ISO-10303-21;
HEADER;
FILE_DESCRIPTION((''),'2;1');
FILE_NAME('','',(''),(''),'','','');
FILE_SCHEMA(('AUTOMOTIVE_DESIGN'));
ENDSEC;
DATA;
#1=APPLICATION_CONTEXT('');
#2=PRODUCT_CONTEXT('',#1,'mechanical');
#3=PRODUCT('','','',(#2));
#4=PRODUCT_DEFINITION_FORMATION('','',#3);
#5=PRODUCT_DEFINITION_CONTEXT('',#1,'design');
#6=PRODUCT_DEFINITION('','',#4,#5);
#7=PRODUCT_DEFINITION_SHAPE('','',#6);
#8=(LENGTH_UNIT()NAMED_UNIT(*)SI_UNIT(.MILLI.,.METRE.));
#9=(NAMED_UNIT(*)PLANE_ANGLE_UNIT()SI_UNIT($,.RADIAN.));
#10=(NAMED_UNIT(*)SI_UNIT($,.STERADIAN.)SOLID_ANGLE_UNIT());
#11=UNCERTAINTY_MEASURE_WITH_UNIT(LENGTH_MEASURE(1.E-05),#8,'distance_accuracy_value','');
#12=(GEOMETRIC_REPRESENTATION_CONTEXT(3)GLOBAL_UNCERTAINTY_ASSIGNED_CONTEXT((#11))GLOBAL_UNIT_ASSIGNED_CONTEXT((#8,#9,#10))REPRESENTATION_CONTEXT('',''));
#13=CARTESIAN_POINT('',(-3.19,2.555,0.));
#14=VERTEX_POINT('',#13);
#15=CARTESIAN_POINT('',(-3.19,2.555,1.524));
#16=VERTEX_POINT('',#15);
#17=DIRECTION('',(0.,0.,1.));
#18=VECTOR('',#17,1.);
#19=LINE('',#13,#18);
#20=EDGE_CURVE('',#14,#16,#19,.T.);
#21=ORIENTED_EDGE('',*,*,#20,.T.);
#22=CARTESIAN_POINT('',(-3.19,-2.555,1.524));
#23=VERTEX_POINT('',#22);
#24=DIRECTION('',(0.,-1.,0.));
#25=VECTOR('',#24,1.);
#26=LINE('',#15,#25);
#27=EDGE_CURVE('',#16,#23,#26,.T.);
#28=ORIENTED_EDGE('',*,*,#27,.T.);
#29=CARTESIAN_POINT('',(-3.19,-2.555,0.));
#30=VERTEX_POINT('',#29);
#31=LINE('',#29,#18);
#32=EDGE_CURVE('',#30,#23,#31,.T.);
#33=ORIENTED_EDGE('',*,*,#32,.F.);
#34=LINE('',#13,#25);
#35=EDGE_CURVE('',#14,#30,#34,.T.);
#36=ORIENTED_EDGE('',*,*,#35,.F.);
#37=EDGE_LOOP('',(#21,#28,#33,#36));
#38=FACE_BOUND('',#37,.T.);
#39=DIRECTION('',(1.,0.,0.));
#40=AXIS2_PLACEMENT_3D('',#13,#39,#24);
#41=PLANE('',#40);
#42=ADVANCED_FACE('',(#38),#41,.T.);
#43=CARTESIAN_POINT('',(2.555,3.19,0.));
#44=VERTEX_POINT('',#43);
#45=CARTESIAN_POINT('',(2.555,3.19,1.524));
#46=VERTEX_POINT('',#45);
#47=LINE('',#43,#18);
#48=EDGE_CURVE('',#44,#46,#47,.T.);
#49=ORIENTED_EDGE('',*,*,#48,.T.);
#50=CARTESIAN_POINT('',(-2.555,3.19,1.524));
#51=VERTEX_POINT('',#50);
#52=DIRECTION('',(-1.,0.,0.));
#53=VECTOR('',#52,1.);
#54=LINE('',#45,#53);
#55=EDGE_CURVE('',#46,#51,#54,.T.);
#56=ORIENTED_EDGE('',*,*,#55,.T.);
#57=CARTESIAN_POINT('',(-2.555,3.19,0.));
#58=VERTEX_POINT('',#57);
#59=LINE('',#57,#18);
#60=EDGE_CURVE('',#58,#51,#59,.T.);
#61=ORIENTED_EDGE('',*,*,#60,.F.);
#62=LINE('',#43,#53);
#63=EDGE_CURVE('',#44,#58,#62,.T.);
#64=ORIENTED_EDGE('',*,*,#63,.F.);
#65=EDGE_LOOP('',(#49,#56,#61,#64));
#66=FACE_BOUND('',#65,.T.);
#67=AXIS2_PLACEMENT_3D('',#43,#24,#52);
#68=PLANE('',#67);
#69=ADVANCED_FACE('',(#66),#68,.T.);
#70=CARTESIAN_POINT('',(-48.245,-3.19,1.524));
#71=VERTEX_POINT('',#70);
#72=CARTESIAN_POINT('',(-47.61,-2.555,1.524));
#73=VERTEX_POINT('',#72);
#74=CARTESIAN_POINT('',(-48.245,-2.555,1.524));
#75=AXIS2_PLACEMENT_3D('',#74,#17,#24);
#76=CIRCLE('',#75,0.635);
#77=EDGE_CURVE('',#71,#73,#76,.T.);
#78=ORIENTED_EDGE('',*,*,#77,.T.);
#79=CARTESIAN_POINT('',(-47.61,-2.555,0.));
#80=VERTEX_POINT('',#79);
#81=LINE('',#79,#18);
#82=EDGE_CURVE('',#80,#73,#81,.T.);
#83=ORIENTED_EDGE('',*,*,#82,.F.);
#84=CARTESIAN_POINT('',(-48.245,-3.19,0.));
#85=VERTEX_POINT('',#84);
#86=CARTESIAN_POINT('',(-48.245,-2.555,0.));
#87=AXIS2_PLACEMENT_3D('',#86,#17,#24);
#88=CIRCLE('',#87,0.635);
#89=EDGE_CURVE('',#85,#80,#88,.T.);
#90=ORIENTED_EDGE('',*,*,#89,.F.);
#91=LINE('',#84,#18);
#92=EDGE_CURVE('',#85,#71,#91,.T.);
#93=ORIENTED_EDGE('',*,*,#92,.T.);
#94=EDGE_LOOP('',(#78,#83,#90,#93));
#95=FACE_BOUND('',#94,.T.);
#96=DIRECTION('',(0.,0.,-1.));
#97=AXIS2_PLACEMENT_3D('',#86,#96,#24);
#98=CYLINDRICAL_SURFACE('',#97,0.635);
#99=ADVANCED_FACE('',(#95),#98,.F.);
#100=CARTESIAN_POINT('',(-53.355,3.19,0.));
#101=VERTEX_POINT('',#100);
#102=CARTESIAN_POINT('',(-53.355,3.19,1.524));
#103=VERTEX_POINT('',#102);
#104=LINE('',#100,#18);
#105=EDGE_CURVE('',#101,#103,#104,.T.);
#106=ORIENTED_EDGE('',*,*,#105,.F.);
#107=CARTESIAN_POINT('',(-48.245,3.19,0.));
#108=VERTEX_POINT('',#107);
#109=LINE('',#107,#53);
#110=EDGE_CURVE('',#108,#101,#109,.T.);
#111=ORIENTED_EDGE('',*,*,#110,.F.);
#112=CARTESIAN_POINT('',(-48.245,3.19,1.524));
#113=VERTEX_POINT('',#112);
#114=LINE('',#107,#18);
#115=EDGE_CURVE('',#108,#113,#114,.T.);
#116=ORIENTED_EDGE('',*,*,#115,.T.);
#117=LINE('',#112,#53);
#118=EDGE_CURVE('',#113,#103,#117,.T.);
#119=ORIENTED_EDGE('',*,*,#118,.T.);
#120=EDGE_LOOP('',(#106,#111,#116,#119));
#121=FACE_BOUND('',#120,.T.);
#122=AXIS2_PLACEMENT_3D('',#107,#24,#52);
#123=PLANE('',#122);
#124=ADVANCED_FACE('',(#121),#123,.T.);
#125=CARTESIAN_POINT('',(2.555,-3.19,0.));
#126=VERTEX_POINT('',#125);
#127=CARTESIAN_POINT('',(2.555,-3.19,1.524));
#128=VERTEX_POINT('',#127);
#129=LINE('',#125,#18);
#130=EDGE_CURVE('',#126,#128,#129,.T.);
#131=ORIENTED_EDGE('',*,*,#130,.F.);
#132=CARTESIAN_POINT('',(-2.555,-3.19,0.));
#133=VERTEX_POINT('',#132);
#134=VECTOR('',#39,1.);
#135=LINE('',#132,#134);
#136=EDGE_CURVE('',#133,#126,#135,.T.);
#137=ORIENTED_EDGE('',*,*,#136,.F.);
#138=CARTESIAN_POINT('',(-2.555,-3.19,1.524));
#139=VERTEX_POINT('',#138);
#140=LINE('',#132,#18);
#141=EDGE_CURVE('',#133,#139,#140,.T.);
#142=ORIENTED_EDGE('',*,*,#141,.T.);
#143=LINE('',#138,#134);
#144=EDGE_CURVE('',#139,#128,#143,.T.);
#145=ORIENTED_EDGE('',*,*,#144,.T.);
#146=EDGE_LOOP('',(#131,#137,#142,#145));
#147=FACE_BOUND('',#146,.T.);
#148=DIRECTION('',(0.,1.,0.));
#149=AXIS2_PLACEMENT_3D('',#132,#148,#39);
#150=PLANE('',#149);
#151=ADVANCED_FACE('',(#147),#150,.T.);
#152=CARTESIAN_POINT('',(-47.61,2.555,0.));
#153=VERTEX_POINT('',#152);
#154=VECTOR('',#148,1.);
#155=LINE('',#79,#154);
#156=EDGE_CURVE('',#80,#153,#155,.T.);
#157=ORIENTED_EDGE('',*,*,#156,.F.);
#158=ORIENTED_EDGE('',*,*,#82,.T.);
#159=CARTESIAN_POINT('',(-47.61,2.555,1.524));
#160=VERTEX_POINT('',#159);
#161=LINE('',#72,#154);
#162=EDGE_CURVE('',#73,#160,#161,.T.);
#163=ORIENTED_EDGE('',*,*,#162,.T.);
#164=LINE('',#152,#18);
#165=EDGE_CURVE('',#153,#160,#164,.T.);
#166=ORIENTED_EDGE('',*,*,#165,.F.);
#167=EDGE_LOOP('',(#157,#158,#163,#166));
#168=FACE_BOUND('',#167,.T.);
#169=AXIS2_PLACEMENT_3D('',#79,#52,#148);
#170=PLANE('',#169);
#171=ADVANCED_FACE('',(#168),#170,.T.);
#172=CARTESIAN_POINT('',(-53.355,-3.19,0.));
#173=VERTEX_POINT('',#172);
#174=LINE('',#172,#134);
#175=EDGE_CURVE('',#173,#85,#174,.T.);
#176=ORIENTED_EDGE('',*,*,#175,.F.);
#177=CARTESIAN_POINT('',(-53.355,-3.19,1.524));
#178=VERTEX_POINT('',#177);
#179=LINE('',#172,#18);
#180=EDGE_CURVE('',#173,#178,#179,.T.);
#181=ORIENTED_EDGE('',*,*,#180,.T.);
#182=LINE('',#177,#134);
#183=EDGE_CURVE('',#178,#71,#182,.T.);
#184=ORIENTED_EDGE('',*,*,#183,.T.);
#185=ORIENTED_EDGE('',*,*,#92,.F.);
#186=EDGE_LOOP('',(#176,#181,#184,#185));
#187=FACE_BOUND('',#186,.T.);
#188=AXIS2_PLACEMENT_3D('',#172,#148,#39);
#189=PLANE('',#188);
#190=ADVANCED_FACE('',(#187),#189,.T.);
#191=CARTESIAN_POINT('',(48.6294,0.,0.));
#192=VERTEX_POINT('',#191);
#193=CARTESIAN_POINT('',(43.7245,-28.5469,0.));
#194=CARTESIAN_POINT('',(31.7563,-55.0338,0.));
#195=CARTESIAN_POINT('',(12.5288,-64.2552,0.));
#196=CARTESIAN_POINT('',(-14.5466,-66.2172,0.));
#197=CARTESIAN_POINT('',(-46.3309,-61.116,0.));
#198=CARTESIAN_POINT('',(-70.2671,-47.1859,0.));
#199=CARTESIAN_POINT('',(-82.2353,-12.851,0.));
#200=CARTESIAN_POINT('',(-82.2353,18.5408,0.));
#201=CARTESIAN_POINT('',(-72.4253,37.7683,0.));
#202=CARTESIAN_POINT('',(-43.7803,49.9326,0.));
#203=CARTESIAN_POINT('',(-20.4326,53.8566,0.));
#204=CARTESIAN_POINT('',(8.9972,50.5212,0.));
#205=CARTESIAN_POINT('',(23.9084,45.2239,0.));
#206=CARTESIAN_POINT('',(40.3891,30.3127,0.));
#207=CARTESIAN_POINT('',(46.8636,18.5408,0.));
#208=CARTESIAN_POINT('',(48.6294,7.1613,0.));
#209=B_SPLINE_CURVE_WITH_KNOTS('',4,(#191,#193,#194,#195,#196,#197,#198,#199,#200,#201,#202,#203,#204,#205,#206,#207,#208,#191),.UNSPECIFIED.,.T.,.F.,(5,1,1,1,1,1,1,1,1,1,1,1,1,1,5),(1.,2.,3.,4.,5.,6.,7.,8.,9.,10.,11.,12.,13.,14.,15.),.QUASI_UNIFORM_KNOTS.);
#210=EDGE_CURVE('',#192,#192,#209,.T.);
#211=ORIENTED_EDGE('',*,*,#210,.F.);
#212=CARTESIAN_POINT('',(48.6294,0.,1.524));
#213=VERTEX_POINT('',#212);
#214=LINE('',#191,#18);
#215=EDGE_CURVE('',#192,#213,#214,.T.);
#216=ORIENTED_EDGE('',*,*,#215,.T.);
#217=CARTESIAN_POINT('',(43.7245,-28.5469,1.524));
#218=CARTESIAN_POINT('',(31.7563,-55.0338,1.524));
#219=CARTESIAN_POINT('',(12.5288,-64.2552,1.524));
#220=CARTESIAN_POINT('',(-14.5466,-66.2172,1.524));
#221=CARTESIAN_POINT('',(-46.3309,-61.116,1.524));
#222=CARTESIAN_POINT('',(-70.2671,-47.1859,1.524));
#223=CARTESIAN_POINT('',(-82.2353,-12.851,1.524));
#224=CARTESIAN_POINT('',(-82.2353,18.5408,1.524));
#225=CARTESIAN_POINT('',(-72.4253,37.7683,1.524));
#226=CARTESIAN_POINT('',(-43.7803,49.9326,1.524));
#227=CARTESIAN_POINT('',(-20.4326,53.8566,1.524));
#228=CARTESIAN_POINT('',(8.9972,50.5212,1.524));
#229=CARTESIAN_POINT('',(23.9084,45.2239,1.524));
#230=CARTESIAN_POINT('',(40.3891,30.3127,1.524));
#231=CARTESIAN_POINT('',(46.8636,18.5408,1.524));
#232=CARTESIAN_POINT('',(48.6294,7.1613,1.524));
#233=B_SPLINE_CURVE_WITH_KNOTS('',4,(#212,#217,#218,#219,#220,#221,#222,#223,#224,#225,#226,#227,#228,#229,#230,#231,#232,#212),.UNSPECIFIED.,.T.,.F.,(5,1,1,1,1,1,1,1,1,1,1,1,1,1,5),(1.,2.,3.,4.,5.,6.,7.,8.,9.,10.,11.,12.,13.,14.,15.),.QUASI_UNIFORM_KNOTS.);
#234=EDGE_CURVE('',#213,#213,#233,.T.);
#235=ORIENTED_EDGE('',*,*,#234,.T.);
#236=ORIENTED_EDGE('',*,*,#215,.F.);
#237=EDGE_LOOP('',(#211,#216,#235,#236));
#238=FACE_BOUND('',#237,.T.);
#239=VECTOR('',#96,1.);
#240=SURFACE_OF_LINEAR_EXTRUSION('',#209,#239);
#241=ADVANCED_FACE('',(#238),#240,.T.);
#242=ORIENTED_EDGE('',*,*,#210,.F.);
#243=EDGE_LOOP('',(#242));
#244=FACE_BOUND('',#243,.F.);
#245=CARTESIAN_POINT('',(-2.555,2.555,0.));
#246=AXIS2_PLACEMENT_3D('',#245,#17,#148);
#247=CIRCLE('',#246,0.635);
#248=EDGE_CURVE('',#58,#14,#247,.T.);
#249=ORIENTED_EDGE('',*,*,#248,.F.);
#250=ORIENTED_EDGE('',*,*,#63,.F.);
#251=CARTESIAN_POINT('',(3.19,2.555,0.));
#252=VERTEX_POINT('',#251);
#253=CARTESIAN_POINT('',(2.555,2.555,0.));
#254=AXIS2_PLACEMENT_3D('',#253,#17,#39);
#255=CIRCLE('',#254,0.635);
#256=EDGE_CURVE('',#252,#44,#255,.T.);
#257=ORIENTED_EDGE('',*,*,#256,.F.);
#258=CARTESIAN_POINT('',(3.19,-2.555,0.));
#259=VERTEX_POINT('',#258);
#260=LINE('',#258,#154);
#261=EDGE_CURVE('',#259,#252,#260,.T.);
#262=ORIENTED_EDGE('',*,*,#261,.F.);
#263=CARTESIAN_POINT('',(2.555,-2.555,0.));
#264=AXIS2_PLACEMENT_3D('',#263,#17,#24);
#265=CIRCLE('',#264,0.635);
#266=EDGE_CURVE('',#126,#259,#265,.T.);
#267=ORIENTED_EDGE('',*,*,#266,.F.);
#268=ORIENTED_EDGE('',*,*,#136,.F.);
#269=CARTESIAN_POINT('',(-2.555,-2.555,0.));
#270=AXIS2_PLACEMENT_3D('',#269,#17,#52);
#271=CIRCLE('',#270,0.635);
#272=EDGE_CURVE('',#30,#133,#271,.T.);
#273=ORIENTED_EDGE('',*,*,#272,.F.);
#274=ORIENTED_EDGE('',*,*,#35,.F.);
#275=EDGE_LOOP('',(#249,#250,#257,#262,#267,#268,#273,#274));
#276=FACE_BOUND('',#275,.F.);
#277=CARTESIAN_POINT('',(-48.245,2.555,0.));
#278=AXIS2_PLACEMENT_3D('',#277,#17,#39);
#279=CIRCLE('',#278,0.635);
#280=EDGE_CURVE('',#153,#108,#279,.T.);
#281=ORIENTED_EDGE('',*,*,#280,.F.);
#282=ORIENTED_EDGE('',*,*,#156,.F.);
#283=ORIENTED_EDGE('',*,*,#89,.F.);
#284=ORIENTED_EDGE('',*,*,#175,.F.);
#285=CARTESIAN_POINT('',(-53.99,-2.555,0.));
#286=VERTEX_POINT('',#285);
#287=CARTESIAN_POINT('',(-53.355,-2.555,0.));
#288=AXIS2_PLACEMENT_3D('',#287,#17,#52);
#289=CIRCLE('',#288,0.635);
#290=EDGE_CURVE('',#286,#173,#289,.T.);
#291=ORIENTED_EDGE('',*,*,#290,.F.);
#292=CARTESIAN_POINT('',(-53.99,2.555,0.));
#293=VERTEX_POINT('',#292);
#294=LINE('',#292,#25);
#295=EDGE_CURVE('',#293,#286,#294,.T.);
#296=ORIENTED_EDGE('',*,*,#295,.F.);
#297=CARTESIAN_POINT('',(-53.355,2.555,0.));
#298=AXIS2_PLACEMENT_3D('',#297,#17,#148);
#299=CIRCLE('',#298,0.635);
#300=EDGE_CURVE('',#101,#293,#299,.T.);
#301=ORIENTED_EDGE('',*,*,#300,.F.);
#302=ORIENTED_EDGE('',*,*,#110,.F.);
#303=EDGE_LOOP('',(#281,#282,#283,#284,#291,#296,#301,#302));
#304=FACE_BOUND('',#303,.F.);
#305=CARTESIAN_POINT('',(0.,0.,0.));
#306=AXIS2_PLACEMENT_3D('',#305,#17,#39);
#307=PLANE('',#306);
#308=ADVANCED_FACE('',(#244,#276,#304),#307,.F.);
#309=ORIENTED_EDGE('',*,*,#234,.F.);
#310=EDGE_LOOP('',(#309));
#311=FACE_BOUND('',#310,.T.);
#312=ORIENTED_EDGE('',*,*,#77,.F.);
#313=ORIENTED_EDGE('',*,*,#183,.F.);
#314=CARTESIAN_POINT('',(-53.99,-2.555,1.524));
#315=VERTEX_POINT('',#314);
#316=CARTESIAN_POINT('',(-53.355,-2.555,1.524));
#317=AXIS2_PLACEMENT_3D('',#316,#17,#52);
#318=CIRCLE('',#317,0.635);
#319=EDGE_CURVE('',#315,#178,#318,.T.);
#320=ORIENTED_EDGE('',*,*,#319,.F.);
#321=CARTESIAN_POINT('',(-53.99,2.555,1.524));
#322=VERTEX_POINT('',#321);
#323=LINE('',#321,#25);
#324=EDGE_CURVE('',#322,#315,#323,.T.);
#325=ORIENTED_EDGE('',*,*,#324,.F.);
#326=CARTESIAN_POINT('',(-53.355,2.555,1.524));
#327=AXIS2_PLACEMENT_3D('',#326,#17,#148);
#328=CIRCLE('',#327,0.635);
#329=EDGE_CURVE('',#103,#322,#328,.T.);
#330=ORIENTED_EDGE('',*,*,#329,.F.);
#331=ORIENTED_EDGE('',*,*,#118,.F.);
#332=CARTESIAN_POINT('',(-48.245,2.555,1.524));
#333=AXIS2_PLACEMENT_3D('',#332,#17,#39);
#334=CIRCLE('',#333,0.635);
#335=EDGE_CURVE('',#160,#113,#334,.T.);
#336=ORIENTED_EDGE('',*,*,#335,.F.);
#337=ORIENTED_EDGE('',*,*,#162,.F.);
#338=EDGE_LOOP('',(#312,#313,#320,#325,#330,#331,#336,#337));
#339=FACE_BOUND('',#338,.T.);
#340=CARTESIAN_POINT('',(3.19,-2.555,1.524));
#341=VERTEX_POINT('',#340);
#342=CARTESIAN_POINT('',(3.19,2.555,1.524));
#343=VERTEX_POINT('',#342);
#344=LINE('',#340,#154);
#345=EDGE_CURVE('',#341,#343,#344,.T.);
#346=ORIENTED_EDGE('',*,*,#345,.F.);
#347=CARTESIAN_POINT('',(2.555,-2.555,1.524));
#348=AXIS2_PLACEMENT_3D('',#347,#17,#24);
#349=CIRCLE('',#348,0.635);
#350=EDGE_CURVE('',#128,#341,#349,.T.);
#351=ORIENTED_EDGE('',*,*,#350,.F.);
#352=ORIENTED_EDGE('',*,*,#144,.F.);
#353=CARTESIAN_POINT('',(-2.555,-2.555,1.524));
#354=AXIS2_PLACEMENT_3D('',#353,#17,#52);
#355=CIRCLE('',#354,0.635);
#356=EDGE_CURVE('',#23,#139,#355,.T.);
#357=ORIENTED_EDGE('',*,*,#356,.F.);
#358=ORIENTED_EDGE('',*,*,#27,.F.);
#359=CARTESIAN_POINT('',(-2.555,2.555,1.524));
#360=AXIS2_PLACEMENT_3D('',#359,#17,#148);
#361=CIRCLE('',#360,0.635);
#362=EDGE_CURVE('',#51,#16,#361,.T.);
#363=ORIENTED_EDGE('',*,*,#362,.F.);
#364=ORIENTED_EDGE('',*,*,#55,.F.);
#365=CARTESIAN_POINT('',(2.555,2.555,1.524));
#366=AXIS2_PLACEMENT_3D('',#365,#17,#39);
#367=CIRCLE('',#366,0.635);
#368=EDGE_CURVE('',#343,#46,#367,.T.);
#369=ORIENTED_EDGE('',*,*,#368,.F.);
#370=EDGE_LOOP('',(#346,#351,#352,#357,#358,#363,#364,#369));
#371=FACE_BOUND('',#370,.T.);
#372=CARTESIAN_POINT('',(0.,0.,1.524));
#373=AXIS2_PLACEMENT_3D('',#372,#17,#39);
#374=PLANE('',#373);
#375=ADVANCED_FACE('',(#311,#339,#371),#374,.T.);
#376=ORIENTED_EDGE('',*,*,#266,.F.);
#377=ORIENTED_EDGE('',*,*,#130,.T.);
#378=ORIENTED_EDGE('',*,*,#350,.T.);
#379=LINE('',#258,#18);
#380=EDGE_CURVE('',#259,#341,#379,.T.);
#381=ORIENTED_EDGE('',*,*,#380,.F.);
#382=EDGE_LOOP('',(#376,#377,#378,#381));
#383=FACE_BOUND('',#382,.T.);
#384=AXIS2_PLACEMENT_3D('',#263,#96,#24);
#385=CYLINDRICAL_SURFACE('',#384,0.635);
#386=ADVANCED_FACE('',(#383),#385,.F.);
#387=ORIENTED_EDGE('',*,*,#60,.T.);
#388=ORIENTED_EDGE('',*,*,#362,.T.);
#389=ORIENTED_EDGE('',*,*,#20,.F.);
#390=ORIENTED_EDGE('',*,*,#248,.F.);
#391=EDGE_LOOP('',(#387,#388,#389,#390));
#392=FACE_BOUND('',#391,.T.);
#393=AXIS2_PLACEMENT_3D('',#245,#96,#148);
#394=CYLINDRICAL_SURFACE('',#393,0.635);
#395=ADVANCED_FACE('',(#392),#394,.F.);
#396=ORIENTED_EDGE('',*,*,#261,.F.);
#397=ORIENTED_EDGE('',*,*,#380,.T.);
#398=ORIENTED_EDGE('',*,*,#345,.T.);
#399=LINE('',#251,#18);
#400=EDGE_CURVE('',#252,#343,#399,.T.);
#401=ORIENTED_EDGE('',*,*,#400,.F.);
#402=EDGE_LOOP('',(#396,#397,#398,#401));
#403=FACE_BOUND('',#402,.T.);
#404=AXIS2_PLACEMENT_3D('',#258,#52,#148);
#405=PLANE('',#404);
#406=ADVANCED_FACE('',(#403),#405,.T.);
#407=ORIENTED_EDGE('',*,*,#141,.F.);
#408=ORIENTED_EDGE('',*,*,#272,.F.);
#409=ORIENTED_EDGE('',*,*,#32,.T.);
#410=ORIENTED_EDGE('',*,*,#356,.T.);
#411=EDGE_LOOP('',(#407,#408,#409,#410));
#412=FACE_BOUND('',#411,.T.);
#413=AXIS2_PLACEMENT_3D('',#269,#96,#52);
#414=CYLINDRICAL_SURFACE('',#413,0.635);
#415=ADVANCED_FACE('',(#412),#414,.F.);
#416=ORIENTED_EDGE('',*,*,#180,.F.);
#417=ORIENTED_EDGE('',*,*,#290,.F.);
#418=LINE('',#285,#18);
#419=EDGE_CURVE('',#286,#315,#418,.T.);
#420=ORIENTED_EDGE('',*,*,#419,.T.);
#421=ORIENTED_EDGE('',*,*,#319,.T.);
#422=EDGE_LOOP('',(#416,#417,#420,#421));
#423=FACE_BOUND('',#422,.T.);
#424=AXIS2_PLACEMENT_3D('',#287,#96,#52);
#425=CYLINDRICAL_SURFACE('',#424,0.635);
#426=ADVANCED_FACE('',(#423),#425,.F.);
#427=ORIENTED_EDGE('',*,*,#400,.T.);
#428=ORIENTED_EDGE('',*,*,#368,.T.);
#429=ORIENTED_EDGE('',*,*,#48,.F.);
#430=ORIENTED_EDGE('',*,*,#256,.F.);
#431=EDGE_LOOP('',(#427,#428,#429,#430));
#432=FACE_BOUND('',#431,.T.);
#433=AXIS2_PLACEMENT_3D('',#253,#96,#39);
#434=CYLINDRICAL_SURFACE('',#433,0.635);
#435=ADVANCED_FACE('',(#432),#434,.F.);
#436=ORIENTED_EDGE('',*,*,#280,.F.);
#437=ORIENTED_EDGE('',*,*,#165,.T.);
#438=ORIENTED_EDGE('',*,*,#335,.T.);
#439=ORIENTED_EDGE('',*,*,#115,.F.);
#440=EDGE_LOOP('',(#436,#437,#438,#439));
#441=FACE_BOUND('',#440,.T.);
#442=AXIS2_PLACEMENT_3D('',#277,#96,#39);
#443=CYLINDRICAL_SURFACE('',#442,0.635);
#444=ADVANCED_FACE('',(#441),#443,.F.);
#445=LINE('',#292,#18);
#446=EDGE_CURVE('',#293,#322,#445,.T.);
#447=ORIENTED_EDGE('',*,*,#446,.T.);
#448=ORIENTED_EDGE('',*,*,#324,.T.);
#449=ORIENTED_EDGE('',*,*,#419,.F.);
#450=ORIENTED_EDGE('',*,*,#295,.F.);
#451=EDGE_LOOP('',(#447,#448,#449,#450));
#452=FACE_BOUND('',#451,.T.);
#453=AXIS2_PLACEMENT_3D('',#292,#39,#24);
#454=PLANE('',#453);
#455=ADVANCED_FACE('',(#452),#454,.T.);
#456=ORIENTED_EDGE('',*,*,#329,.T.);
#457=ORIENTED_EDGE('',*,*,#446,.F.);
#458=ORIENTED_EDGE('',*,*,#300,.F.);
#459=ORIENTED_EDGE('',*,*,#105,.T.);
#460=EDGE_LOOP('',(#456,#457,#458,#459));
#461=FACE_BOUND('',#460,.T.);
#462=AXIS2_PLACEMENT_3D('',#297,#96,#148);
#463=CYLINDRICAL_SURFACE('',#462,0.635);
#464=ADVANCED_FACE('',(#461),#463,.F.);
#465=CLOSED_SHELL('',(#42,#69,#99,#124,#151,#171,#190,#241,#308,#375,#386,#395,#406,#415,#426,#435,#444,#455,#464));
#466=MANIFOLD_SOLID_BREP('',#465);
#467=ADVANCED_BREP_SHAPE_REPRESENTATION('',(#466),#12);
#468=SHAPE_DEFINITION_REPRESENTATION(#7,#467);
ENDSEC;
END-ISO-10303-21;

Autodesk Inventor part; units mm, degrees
ref_plane "YZ Plane" through (0, 0, 0) normal (1, 0, 0) x (0, 1, 0)
ref_plane "XZ Plane" through (0, 0, 0) normal (0, 1, 0) x (-1, 0, 0)
ref_plane "XY Plane" through (0, 0, 0) normal (0, 0, 1) x (1, 0, 0)
sketch "Sketch1" plane through (0, 0, 0) normal (0, 0, 1) x (1, 0, 0)
  arc A0 (2.555, -3.19) -> (3.19, -2.555) centre (2.555, -2.555) ccw projected
  line L0 (3.19, -2.555) -> (3.19, 2.555) projected
  arc A1 (3.19, 2.555) -> (2.555, 3.19) centre (2.555, 2.555) ccw projected
  line L1 (2.555, 3.19) -> (-2.555, 3.19) projected
  arc A2 (-2.555, 3.19) -> (-3.19, 2.555) centre (-2.555, 2.555) ccw projected
  line L2 (-3.19, 2.555) -> (-3.19, -2.555) projected
  arc A3 (-3.19, -2.555) -> (-2.555, -3.19) centre (-2.555, -2.555) ccw projected
  line L3 (-2.555, -3.19) -> (2.555, -3.19) projected
  arc A4 (-53.99, -2.555) -> (-53.355, -3.19) centre (-53.355, -2.555) ccw
  line L4 (-53.355, -3.19) -> (-48.245, -3.19)
  arc A5 (-48.245, -3.19) -> (-47.61, -2.555) centre (-48.245, -2.555) ccw
  line L5 (-47.61, -2.555) -> (-47.61, 2.555)
  arc A6 (-47.61, 2.555) -> (-48.245, 3.19) centre (-48.245, 2.555) ccw
  line L6 (-48.245, 3.19) -> (-53.355, 3.19)
  arc A7 (-53.355, 3.19) -> (-53.99, 2.555) centre (-53.355, 2.555) ccw
  line L7 (-53.99, 2.555) -> (-53.99, -2.555)
  line L8 (-50.8, 0) -> (-53.99, 0) construction
  line L9 (-50.8, 0) -> (-50.8, -3.19) construction
  line L10 (-50.8, 0) -> (-47.61, 0) construction
  line L11 (-50.8, 0) -> (-50.8, 3.19) construction
  line L12 (48.6294, 0) -> (43.7245, -28.5469) construction
  line L13 (43.7245, -28.5469) -> (31.7563, -55.0338) construction
  line L14 (31.7563, -55.0338) -> (12.5288, -64.2552) construction
  line L15 (12.5288, -64.2552) -> (-14.5466, -66.2172) construction
  line L16 (-14.5466, -66.2172) -> (-46.3309, -61.116) construction
  line L17 (-46.3309, -61.116) -> (-70.2671, -47.1859) construction
  line L18 (-70.2671, -47.1859) -> (-82.2353, -12.851) construction
  line L19 (-82.2353, -12.851) -> (-82.2353, 18.5408) construction
  line L20 (-82.2353, 18.5408) -> (-72.4253, 37.7683) construction
  line L21 (-72.4253, 37.7683) -> (-43.7803, 49.9326) construction
  line L22 (-43.7803, 49.9326) -> (-20.4326, 53.8566) construction
  line L23 (-20.4326, 53.8566) -> (8.9972, 50.5212) construction
  line L24 (8.9972, 50.5212) -> (23.9084, 45.2239) construction
  line L25 (23.9084, 45.2239) -> (40.3891, 30.3127) construction
  line L26 (40.3891, 30.3127) -> (46.8636, 18.5408) construction
  line L27 (46.8636, 18.5408) -> (48.6294, 7.1613) construction
  line L28 (48.6294, 7.1613) -> (48.6294, 0) construction
  spline S0 degree 4 poles (48.6294, 0) (43.7245, -28.5469) (31.7563, -55.0338) (12.5288, -64.2552) (-14.5466, -66.2172) (-46.3309, -61.116) (-70.2671, -47.1859) (-82.2353, -12.851) (-82.2353, 18.5408) (-72.4253, 37.7683) (-43.7803, 49.9326) (-20.4326, 53.8566) (8.9972, 50.5212) (23.9084, 45.2239) (40.3891, 30.3127) (46.8636, 18.5408) (48.6294, 7.1613) (48.6294, 0) knots 1 1 1 1 1 2 3 4 5 6 7 8 9 10 11 12 13 14 15 15 15 15 15
  point P0 (0, 0)
  dimension "d0" = 6.38
  dimension "d1" = 6.38
  dimension "d3" = 0.635
  dimension "d4" = 0
  dimension "d5" = 50.8
extrude "Extrusion1" add sketch "Sketch1" along normal blind 1.524
equation "\"d1\" = d0"
properties part number "hori-side" material "Polycarbonate, Clear"
